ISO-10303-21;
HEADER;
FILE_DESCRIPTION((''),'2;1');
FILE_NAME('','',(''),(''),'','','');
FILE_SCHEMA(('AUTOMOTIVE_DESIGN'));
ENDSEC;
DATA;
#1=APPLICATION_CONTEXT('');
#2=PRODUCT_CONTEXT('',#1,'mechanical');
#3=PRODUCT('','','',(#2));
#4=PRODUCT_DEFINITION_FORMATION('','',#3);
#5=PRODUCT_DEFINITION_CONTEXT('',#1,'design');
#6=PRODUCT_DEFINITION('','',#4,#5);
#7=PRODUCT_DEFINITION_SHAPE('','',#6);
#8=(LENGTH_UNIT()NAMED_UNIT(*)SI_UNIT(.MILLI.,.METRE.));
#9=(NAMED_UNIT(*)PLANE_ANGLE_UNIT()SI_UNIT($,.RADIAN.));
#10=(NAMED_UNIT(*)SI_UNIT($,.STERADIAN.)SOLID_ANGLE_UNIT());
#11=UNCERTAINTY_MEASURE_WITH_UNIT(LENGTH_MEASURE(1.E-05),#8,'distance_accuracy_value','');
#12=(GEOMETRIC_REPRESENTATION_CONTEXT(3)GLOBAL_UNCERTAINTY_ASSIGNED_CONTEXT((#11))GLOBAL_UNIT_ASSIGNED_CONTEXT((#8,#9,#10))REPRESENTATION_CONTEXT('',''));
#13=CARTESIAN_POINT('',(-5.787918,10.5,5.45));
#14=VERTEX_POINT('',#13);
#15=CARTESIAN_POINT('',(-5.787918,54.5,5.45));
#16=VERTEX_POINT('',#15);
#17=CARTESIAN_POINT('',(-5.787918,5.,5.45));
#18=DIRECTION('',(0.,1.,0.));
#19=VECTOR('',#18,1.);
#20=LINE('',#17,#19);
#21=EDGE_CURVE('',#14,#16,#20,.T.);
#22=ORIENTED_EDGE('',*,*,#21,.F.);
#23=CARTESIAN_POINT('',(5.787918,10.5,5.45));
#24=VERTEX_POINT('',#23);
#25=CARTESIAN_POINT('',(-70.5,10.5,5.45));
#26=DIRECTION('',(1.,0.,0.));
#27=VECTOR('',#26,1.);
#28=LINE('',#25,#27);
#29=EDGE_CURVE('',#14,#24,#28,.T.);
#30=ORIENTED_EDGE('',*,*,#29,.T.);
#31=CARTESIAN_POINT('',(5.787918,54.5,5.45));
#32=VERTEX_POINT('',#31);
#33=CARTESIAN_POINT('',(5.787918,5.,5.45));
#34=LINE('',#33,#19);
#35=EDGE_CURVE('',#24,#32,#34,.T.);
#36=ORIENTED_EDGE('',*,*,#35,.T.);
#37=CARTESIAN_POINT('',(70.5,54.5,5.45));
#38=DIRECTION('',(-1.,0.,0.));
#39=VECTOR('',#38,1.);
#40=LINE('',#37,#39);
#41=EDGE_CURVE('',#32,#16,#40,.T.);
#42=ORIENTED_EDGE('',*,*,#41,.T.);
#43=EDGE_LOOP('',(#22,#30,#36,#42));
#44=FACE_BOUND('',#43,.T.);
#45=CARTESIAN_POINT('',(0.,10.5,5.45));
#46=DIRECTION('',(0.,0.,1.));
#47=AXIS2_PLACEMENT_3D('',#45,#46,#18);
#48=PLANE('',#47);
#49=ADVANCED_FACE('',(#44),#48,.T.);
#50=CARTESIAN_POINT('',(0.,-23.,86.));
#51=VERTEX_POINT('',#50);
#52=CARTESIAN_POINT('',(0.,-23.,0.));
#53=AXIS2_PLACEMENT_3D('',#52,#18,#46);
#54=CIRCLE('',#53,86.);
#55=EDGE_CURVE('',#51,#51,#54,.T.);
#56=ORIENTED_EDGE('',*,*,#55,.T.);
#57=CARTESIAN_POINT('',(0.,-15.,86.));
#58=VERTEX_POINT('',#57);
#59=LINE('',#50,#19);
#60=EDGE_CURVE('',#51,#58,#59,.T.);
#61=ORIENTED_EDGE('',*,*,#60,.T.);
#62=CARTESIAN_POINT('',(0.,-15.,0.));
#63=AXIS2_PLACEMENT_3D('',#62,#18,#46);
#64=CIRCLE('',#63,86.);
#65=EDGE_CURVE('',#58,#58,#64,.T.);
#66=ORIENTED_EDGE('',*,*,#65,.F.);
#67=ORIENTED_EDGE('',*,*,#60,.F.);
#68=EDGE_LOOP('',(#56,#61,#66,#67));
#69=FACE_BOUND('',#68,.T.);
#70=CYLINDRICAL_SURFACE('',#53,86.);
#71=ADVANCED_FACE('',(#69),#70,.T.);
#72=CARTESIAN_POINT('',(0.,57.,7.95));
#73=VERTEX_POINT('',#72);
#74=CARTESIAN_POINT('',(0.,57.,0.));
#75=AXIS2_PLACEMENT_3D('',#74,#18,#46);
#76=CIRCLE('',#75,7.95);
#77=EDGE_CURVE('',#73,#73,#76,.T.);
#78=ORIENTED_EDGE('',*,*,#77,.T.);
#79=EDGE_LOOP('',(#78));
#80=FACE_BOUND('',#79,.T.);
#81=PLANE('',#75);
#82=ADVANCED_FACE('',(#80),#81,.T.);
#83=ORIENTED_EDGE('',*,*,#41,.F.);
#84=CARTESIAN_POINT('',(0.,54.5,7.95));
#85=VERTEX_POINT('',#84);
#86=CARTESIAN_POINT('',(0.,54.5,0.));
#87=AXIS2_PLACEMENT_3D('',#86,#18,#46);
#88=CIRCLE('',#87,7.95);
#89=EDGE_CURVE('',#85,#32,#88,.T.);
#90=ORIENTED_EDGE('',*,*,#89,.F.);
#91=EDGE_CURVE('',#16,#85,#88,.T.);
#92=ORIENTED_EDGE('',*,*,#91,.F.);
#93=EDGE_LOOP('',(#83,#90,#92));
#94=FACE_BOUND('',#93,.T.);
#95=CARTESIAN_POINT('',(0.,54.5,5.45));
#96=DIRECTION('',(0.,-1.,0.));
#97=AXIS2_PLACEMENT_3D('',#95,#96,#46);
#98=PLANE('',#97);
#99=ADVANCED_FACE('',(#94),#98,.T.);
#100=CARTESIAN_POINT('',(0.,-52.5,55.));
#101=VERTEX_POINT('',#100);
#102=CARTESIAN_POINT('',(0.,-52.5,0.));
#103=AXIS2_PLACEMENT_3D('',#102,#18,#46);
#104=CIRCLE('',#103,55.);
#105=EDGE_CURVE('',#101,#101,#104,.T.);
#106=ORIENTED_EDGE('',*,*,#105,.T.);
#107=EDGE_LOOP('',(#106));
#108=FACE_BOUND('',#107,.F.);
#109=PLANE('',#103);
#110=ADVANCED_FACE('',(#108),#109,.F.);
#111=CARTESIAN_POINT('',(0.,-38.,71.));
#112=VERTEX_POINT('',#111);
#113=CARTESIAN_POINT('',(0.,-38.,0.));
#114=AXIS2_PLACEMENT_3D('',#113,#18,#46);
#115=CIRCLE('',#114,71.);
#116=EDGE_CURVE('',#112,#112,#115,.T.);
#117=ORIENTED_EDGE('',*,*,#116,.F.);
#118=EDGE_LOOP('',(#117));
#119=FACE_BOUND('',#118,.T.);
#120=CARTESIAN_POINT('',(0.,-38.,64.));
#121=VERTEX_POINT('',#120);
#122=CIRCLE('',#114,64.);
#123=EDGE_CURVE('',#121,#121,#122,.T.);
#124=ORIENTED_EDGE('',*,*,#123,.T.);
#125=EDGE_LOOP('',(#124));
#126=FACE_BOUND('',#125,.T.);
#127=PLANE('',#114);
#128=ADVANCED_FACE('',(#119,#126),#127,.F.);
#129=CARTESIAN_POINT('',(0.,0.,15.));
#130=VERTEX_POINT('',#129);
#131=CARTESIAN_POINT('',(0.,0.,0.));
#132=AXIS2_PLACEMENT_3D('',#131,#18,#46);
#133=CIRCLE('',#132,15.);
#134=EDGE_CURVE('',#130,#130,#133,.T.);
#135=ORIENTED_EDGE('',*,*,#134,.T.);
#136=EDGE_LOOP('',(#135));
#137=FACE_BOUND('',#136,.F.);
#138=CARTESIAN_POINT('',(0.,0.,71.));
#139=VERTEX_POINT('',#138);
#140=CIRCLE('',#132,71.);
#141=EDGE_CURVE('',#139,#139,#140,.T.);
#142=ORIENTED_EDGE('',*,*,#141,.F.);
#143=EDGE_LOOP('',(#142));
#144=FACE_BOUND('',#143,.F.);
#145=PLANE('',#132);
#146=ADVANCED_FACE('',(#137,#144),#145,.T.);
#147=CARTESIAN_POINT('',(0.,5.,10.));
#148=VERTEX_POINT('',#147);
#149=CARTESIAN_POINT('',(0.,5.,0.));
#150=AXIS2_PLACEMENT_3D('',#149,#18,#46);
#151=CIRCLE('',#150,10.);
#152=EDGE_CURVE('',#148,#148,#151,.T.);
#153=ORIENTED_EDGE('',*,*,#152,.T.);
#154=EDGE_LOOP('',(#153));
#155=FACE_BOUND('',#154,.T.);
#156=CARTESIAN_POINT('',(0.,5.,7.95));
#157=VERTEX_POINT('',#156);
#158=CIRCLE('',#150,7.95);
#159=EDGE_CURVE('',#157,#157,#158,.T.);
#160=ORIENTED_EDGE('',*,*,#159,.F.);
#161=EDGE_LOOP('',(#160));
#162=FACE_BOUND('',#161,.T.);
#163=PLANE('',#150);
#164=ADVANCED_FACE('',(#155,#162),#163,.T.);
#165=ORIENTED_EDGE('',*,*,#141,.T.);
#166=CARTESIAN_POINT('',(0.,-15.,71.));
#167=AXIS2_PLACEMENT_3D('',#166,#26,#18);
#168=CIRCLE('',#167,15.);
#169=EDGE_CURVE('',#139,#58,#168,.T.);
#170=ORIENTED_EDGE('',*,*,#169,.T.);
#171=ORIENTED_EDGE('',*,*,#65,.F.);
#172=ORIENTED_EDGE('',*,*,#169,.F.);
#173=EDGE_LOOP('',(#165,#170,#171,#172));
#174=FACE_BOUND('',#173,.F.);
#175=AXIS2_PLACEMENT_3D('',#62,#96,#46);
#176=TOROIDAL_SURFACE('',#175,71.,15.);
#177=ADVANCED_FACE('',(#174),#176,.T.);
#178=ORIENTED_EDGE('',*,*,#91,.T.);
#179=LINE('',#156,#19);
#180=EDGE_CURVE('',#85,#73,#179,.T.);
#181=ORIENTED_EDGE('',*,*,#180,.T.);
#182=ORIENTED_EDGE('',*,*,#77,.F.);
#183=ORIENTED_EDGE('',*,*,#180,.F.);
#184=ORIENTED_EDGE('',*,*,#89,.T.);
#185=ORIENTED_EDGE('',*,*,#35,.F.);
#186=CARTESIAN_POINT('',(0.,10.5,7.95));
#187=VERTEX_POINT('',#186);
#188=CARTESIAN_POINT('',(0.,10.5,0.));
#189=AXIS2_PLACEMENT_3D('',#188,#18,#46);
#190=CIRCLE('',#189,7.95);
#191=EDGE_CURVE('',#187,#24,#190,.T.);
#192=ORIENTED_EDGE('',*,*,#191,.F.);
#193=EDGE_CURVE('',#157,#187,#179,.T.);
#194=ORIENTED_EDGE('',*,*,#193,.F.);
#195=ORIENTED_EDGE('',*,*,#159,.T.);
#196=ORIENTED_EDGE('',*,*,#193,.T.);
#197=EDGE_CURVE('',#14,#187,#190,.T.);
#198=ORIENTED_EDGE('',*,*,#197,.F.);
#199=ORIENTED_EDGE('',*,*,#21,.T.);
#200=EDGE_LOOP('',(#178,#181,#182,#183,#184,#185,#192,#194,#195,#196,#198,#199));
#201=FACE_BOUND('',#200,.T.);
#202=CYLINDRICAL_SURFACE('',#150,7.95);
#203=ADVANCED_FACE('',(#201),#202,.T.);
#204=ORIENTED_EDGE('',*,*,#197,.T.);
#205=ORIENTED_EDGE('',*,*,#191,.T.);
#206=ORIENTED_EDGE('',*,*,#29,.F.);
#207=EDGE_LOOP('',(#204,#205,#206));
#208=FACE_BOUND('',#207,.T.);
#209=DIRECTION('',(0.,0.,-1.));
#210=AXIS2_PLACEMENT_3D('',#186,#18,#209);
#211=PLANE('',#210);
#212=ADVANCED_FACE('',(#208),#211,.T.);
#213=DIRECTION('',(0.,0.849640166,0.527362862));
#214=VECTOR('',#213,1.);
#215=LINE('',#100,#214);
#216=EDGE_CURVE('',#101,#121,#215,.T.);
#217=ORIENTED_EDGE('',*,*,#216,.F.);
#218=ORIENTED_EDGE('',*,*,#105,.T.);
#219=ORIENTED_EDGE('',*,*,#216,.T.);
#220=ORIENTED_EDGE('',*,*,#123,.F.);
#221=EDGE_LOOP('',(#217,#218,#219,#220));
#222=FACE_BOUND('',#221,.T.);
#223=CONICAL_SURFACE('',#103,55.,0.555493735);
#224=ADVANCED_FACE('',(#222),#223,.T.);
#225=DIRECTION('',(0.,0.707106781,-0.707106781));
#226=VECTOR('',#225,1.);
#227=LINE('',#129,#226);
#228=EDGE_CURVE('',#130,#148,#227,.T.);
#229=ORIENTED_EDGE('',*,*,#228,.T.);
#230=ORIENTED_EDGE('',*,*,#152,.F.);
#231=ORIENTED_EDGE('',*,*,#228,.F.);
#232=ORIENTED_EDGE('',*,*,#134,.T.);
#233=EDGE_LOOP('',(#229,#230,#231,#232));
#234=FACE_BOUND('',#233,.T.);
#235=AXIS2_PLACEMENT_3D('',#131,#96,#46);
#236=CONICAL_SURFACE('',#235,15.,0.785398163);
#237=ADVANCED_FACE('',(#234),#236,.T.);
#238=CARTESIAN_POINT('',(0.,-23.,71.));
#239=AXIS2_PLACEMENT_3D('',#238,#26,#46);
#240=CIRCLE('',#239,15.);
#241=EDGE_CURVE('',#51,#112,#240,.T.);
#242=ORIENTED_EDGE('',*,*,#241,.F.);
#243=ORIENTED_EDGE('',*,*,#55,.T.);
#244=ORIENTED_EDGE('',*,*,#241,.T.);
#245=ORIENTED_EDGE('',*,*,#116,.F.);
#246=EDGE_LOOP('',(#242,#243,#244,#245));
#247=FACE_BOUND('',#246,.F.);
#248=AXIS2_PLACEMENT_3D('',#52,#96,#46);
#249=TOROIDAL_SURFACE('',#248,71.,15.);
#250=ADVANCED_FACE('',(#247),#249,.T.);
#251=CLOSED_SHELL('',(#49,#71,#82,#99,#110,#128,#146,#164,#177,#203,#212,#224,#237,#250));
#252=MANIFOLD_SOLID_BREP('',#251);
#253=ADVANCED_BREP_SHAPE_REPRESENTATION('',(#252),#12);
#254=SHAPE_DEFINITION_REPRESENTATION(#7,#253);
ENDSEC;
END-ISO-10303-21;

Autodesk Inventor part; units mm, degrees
ref_plane "YZ Plane" through (0, 0, 0) normal (1, 0, 0) x (0, 1, 0)
ref_plane "XZ Plane" through (0, 0, 0) normal (0, 1, 0) x (-1, 0, 0)
ref_plane "XY Plane" through (0, 0, 0) normal (0, 0, 1) x (1, 0, 0)
sketch "Sketch1" plane through (0, 0, 0) normal (1, 0, 0) x (0, 1, 0)
  line L0 (0, 83.4) -> (0, -13.9) construction
  line L1 (-74.4, 0) -> (78.9, 0) construction
  line L2 (0, 69.5) -> (-38, 69.5)
  line L3 (-38, 69.5) -> (-38, 64)
  line L4 (-52.5, 55) -> (-52.5, 0)
  line L5 (-52.5, 55) -> (-38, 64)
  line L6 (-52.5, 0) -> (0, 0)
  line L7 (0, 69.5) -> (0, 15)
  line L8 (0, 15) -> (5, 10)
  line L9 (5, 10) -> (5, 7.95)
  line L10 (5, 7.95) -> (57, 7.95)
  line L11 (57, 7.95) -> (57, 0)
  line L12 (57, 0) -> (0, 0)
  dimension "d1" = 139
  dimension "d2" = 110
  dimension "d3" = 128
  dimension "d4" = 52.5
  dimension "d6" = 14.5
  dimension "d7" = 20
  dimension "d8" = 135
  dimension "d9" = 5
  dimension "d10" = 15.9
  dimension "d11" = 57
revolve "Base" add sketch "Sketch1" angle 360 about axis through (0, 0, 0) along (0, 1, 0)
sketch "Sketch2" plane through (0, 0, 0) normal (1, 0, 0) x (0, 1, 0)
  line L0 (5, 7.95) -> (57, 7.95) construction
  line L1 (5, -10) -> (5, 10) construction
  line L2 (57, -7.95) -> (57, 7.95) construction
  line L3 (10.5, 7.95) -> (10.5, 5.45)
  line L4 (10.5, 5.45) -> (54.5, 5.45)
  line L5 (54.5, 5.45) -> (54.5, 7.95)
  line L6 (5, -7.95) -> (57, -7.95) construction
  line L7 (10.5, 7.95) -> (54.5, 7.95)
  point P0 (0, 0)
  dimension "d13" = 13.4
  dimension "d14" = 5.5
  dimension "d15" = 2.5
  dimension "d16" = 44
extrude "Cut" cut sketch "Sketch2" along normal through all both and the other way through all
sketch "Sketch3" plane through (0, 0, 0) normal (1, 0, 0) x (0, 1, 0)
  line L0 (-38, 69.5) -> (0, 69.5) construction
  line L1 (-74.4, 0) -> (78.9, 0) construction
  line L2 (0, 97.3) -> (0, -97.3) construction
  line L3 (-38, -69.5) -> (-38, 69.5) construction
  line L4 (0, -69.5) -> (0, 69.5) projected
  line L5 (0, 69.5) -> (-38, 69.5)
  line L6 (-23, 86) -> (-15, 86)
  line L7 (-38, 69.5) -> (-38, 71)
  line L8 (0, 69.5) -> (0, 71)
  arc A0 (-23, 86) -> (-38, 71) centre (-23, 71) ccw
  arc A1 (0, 71) -> (-15, 86) centre (-15, 71) ccw
  point P0 (0, 0)
  point P1 (-38, 86)
  point P2 (0, 86)
  dimension "d21" = 172
  dimension "d22" = 15
revolve "Revolution2" add sketch "Sketch3" angle 360 about axis through (0, 0, 0) along (0, 1, 0)
properties part number "10-001-ACTR" material "Aluminum 6061"
